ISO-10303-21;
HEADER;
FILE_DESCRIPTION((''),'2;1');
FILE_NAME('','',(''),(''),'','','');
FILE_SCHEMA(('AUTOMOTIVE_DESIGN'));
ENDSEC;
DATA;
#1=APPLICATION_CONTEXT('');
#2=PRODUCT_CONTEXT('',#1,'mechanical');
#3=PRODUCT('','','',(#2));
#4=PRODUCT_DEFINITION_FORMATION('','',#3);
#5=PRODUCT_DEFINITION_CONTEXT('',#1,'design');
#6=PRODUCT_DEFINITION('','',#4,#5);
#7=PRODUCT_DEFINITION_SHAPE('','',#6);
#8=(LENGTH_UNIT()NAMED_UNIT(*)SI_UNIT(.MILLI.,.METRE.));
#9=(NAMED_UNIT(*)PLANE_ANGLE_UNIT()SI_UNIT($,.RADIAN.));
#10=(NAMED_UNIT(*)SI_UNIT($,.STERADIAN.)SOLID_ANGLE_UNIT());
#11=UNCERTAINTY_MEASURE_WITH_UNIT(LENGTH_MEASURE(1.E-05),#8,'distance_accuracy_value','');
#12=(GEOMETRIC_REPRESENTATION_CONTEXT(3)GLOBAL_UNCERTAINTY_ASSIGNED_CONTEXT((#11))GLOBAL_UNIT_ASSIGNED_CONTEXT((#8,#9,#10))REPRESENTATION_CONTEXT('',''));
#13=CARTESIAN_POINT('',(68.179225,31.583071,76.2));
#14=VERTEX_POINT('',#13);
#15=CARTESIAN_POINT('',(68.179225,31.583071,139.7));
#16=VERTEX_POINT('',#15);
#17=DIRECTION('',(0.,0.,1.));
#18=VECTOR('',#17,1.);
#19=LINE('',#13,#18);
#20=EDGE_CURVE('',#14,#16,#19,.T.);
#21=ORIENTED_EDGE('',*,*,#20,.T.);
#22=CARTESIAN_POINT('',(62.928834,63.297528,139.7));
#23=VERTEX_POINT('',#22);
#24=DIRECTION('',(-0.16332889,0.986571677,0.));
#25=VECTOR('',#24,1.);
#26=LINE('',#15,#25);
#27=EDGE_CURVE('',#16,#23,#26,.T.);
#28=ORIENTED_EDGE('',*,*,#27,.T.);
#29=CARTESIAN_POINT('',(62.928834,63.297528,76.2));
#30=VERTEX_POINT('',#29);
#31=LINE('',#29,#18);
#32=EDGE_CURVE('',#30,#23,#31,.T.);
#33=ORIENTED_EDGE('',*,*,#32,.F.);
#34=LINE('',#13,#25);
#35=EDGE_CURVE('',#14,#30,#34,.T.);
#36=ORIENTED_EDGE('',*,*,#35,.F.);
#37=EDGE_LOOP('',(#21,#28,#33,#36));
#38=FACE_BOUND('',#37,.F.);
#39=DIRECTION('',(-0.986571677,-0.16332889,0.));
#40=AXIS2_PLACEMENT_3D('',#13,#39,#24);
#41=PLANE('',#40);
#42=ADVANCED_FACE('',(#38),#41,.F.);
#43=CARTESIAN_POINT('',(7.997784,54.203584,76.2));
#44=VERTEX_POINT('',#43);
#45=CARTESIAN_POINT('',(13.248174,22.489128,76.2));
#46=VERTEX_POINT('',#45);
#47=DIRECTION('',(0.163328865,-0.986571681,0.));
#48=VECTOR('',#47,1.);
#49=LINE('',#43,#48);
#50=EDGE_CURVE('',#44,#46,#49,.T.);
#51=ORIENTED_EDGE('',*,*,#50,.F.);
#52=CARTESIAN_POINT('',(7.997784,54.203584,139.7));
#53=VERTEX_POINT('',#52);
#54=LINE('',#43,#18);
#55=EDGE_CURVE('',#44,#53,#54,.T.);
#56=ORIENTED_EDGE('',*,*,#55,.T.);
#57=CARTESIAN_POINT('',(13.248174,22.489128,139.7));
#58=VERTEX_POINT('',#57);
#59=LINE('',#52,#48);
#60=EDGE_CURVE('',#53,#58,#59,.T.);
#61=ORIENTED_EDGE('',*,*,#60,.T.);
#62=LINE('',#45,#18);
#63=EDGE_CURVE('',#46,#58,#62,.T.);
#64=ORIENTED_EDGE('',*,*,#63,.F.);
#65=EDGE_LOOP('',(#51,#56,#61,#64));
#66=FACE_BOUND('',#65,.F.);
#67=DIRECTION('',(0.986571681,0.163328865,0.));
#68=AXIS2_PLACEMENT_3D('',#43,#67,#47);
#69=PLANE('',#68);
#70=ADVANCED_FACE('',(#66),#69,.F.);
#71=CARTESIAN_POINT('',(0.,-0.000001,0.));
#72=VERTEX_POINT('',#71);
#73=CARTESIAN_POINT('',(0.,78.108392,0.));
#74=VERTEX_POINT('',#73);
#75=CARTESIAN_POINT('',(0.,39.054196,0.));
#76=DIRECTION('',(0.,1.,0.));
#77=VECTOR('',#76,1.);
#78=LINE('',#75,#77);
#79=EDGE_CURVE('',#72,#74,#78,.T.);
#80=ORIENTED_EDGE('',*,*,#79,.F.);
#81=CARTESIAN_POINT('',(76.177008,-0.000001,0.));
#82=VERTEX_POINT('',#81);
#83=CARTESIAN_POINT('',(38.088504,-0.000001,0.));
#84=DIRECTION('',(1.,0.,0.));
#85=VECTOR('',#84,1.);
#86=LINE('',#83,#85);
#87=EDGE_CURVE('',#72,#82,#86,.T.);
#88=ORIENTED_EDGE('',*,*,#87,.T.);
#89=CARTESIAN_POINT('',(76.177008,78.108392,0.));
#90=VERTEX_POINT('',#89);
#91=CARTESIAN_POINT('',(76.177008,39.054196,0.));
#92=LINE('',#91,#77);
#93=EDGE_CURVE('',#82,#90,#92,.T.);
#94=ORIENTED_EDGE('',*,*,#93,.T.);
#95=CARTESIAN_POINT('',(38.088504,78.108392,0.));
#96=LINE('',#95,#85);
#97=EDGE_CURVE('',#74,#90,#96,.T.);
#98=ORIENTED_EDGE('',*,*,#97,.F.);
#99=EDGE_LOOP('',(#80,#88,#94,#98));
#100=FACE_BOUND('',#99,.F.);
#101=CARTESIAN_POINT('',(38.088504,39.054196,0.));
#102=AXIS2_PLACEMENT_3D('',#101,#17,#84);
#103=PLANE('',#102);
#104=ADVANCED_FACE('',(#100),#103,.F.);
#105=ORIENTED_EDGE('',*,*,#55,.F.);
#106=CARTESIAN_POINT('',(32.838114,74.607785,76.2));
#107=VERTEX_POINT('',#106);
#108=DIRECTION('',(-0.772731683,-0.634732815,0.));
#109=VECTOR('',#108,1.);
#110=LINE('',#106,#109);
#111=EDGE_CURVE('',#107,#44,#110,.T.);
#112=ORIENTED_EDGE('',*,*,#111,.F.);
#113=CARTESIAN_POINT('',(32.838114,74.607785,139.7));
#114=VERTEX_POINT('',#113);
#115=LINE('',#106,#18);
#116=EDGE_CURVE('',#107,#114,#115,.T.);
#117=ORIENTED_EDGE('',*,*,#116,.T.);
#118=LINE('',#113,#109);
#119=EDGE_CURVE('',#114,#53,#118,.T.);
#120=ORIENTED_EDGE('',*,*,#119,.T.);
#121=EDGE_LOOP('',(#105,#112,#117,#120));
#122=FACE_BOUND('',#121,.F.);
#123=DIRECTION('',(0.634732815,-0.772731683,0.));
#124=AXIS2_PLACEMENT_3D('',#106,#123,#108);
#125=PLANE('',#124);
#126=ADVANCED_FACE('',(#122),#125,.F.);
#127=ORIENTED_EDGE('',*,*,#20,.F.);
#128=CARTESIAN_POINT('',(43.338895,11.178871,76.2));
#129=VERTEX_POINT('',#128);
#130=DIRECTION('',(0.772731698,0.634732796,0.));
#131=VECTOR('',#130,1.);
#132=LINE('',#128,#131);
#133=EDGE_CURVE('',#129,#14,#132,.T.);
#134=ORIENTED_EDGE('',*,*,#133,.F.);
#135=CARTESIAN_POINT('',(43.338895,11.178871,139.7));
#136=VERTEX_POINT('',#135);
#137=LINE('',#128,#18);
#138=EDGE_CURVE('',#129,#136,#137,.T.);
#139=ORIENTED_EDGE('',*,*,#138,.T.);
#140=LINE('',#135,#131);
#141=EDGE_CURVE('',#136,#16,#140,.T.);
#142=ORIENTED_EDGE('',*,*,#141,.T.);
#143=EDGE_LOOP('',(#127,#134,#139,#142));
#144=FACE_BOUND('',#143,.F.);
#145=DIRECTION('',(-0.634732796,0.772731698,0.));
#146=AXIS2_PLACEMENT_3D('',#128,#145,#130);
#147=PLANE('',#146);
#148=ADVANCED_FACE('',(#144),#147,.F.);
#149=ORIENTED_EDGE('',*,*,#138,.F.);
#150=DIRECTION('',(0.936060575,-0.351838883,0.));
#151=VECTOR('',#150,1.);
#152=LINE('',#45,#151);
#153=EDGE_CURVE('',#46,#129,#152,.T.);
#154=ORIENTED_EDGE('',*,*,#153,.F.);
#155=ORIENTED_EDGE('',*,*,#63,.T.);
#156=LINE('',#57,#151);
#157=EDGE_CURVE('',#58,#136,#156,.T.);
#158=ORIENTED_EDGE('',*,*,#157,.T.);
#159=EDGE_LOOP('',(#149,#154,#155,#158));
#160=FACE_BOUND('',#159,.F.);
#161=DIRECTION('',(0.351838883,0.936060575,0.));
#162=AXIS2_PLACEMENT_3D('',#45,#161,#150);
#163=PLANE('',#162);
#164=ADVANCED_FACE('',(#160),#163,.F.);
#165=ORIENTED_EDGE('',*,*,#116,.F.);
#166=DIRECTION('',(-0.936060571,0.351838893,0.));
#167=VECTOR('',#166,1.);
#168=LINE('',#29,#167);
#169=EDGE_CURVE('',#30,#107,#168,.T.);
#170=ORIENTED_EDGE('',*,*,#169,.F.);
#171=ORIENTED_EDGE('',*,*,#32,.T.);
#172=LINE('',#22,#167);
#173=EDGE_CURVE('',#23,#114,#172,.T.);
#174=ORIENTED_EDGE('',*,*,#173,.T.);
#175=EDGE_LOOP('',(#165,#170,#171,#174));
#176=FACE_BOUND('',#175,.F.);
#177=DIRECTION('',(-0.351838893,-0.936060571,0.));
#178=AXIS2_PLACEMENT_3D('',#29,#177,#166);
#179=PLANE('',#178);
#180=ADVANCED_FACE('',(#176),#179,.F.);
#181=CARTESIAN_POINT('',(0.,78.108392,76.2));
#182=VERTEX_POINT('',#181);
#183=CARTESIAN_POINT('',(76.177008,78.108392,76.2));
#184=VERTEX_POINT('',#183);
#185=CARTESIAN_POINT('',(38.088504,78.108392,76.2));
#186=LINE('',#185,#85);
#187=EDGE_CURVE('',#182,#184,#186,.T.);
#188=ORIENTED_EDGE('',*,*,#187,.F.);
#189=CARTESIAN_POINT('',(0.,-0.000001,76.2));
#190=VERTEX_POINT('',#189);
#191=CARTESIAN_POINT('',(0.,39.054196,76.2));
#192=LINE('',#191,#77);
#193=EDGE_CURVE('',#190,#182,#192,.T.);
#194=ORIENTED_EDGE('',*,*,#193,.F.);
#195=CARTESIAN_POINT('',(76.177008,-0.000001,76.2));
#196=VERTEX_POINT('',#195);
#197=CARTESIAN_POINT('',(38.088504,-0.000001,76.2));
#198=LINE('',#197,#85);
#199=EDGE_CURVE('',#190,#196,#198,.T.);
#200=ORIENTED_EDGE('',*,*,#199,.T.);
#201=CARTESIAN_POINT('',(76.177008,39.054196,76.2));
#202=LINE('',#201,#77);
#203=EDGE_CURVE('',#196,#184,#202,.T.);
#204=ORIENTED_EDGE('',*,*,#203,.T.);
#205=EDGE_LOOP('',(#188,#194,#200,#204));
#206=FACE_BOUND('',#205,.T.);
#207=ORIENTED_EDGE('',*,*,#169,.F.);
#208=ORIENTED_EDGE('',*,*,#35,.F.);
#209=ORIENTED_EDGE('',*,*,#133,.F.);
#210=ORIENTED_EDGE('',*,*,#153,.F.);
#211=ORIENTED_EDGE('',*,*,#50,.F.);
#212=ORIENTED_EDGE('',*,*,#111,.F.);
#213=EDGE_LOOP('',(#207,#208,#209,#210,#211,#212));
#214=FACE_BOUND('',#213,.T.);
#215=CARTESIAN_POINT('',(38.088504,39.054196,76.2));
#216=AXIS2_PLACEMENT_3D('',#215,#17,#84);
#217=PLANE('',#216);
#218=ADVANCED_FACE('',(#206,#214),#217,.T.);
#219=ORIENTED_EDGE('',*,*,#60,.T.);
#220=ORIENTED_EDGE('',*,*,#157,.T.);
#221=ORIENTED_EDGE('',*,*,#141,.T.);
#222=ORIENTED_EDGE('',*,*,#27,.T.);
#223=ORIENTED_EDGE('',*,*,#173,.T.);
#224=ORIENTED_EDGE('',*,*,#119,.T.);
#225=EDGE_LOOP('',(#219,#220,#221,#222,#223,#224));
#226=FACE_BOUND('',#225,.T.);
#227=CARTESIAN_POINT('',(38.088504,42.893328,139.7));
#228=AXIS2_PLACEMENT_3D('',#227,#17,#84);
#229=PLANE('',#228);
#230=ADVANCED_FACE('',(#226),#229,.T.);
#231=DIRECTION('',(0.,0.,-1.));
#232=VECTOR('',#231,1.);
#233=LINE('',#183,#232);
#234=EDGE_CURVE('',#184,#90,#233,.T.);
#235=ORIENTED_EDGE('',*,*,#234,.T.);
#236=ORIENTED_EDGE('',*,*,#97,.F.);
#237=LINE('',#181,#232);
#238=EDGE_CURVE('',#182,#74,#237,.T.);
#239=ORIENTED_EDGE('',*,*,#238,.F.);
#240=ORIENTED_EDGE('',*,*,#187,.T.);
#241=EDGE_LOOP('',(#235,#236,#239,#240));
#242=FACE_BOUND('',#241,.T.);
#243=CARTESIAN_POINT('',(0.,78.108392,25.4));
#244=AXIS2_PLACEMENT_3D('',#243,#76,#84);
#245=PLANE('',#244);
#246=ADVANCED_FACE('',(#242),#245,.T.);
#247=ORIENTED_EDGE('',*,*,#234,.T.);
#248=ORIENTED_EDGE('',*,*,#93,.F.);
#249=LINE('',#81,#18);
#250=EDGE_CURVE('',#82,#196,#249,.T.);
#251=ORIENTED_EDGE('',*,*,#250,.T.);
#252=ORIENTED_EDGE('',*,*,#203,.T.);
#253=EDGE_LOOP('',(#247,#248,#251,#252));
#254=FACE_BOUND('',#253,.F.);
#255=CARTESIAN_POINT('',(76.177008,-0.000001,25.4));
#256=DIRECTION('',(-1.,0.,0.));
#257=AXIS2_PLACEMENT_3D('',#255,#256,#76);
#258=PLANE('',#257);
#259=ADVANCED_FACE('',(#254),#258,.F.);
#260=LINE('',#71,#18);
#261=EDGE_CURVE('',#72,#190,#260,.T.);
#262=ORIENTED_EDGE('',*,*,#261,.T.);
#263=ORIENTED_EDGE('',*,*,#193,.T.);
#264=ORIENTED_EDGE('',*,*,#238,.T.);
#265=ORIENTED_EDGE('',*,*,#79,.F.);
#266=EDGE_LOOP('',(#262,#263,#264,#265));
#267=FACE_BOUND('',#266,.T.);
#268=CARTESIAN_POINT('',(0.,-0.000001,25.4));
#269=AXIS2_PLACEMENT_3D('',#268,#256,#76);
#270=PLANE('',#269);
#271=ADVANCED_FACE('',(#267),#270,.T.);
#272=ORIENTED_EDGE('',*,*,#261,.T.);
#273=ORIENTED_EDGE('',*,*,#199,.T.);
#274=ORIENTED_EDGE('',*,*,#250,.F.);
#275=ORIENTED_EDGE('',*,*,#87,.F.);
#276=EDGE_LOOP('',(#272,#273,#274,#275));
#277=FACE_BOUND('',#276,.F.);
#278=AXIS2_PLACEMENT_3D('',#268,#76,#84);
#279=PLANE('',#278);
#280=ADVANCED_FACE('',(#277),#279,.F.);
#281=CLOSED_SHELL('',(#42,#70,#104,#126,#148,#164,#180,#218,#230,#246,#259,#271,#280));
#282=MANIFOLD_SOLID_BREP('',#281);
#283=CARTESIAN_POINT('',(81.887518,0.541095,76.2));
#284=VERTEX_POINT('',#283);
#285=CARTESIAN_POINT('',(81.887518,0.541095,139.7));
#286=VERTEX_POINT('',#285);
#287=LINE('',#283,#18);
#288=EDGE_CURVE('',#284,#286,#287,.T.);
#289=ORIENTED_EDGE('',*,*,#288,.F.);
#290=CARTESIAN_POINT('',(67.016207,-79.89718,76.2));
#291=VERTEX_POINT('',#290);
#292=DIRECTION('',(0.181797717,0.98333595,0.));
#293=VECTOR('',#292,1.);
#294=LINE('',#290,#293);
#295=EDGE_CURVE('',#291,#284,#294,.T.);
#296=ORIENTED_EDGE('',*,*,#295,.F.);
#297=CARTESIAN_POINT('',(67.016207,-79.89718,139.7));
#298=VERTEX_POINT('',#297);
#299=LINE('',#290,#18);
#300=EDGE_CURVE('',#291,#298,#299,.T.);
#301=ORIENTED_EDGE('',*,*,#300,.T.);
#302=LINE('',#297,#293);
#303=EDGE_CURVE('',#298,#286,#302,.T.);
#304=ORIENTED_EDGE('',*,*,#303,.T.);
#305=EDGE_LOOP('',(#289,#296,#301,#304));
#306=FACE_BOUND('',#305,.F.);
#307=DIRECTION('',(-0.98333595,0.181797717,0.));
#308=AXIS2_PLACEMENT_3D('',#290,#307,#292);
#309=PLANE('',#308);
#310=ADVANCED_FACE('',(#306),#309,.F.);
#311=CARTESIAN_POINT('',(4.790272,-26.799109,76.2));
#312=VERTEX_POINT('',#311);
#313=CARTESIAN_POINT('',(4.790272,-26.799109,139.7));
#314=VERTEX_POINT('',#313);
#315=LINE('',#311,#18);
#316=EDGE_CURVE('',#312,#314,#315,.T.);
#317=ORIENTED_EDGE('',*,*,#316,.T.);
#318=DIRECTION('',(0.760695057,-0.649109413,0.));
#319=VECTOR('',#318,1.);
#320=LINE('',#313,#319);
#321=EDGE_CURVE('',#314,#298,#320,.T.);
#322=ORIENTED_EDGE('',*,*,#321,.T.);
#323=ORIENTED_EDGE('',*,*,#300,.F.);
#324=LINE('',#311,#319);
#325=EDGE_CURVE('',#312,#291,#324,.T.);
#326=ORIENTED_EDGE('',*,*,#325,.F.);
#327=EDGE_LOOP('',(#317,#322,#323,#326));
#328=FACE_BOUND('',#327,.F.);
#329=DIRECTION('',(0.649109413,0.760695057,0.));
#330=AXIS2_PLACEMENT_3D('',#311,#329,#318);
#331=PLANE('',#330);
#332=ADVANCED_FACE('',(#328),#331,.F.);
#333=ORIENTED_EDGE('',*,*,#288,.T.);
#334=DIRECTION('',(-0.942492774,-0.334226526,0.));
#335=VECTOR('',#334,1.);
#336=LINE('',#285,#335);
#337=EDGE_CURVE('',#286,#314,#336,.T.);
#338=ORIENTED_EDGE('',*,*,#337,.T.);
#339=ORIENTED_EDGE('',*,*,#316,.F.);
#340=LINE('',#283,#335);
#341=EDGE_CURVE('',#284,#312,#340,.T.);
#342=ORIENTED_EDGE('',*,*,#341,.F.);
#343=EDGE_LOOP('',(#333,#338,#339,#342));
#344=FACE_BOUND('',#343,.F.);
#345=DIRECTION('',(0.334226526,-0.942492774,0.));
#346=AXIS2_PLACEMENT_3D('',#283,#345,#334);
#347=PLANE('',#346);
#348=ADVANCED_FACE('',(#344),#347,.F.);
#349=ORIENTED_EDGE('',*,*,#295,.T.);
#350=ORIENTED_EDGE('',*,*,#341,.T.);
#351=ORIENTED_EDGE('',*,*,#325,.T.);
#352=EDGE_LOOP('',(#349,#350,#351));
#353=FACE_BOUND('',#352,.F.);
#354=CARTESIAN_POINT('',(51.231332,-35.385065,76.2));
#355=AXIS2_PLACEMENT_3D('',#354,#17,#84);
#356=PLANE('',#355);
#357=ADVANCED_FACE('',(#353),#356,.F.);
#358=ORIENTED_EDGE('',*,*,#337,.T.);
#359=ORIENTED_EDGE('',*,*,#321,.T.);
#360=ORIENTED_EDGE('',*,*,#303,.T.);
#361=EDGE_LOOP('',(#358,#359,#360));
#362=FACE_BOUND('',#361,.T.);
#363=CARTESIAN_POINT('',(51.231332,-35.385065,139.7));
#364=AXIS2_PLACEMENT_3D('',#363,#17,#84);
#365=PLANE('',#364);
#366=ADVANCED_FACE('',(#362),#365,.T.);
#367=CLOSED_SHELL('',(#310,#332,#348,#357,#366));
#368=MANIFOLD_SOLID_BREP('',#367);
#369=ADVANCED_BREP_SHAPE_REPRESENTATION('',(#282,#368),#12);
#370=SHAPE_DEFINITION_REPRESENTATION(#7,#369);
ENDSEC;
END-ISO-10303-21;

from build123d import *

# Parameters (mm, degrees)
F0_W     = 76.177008
F0_H     = 78.108393
F1_DEPTH = 25.4
F2_W     = 76.177008
F2_H     = 78.108393
F3_DEPTH = 50.8
F5_DEPTH = 63.5


with BuildPart() as f1:
    # F0 (on Top) → F1 (new body)
    with BuildSketch(Plane.XY):
        with Locations((38.088504, 39.054196)):
            Rectangle(F0_W, F0_H)
    extrude(amount=F1_DEPTH)

    # F2 (on face) → F3 (join)
    with BuildSketch(Plane.XY.offset(25.4)):
        with Locations((38.088504, 39.054196)):
            Rectangle(F2_W, F2_H)
    extrude(amount=F3_DEPTH)

    # F4 (on face) → F5 (join)
    with BuildSketch(Plane.XY.offset(76.2)):
        Polygon((4.790272, -26.799109), (67.016207, -79.89718), (81.887518, 0.541095), align=None)
        Polygon((13.248174, 22.489128), (43.338895, 11.178871), (68.179225, 31.583071), (62.928834, 63.297528), (32.838114, 74.607785), (7.997784, 54.203584), align=None)
    extrude(amount=F5_DEPTH)


solid = f1.part
